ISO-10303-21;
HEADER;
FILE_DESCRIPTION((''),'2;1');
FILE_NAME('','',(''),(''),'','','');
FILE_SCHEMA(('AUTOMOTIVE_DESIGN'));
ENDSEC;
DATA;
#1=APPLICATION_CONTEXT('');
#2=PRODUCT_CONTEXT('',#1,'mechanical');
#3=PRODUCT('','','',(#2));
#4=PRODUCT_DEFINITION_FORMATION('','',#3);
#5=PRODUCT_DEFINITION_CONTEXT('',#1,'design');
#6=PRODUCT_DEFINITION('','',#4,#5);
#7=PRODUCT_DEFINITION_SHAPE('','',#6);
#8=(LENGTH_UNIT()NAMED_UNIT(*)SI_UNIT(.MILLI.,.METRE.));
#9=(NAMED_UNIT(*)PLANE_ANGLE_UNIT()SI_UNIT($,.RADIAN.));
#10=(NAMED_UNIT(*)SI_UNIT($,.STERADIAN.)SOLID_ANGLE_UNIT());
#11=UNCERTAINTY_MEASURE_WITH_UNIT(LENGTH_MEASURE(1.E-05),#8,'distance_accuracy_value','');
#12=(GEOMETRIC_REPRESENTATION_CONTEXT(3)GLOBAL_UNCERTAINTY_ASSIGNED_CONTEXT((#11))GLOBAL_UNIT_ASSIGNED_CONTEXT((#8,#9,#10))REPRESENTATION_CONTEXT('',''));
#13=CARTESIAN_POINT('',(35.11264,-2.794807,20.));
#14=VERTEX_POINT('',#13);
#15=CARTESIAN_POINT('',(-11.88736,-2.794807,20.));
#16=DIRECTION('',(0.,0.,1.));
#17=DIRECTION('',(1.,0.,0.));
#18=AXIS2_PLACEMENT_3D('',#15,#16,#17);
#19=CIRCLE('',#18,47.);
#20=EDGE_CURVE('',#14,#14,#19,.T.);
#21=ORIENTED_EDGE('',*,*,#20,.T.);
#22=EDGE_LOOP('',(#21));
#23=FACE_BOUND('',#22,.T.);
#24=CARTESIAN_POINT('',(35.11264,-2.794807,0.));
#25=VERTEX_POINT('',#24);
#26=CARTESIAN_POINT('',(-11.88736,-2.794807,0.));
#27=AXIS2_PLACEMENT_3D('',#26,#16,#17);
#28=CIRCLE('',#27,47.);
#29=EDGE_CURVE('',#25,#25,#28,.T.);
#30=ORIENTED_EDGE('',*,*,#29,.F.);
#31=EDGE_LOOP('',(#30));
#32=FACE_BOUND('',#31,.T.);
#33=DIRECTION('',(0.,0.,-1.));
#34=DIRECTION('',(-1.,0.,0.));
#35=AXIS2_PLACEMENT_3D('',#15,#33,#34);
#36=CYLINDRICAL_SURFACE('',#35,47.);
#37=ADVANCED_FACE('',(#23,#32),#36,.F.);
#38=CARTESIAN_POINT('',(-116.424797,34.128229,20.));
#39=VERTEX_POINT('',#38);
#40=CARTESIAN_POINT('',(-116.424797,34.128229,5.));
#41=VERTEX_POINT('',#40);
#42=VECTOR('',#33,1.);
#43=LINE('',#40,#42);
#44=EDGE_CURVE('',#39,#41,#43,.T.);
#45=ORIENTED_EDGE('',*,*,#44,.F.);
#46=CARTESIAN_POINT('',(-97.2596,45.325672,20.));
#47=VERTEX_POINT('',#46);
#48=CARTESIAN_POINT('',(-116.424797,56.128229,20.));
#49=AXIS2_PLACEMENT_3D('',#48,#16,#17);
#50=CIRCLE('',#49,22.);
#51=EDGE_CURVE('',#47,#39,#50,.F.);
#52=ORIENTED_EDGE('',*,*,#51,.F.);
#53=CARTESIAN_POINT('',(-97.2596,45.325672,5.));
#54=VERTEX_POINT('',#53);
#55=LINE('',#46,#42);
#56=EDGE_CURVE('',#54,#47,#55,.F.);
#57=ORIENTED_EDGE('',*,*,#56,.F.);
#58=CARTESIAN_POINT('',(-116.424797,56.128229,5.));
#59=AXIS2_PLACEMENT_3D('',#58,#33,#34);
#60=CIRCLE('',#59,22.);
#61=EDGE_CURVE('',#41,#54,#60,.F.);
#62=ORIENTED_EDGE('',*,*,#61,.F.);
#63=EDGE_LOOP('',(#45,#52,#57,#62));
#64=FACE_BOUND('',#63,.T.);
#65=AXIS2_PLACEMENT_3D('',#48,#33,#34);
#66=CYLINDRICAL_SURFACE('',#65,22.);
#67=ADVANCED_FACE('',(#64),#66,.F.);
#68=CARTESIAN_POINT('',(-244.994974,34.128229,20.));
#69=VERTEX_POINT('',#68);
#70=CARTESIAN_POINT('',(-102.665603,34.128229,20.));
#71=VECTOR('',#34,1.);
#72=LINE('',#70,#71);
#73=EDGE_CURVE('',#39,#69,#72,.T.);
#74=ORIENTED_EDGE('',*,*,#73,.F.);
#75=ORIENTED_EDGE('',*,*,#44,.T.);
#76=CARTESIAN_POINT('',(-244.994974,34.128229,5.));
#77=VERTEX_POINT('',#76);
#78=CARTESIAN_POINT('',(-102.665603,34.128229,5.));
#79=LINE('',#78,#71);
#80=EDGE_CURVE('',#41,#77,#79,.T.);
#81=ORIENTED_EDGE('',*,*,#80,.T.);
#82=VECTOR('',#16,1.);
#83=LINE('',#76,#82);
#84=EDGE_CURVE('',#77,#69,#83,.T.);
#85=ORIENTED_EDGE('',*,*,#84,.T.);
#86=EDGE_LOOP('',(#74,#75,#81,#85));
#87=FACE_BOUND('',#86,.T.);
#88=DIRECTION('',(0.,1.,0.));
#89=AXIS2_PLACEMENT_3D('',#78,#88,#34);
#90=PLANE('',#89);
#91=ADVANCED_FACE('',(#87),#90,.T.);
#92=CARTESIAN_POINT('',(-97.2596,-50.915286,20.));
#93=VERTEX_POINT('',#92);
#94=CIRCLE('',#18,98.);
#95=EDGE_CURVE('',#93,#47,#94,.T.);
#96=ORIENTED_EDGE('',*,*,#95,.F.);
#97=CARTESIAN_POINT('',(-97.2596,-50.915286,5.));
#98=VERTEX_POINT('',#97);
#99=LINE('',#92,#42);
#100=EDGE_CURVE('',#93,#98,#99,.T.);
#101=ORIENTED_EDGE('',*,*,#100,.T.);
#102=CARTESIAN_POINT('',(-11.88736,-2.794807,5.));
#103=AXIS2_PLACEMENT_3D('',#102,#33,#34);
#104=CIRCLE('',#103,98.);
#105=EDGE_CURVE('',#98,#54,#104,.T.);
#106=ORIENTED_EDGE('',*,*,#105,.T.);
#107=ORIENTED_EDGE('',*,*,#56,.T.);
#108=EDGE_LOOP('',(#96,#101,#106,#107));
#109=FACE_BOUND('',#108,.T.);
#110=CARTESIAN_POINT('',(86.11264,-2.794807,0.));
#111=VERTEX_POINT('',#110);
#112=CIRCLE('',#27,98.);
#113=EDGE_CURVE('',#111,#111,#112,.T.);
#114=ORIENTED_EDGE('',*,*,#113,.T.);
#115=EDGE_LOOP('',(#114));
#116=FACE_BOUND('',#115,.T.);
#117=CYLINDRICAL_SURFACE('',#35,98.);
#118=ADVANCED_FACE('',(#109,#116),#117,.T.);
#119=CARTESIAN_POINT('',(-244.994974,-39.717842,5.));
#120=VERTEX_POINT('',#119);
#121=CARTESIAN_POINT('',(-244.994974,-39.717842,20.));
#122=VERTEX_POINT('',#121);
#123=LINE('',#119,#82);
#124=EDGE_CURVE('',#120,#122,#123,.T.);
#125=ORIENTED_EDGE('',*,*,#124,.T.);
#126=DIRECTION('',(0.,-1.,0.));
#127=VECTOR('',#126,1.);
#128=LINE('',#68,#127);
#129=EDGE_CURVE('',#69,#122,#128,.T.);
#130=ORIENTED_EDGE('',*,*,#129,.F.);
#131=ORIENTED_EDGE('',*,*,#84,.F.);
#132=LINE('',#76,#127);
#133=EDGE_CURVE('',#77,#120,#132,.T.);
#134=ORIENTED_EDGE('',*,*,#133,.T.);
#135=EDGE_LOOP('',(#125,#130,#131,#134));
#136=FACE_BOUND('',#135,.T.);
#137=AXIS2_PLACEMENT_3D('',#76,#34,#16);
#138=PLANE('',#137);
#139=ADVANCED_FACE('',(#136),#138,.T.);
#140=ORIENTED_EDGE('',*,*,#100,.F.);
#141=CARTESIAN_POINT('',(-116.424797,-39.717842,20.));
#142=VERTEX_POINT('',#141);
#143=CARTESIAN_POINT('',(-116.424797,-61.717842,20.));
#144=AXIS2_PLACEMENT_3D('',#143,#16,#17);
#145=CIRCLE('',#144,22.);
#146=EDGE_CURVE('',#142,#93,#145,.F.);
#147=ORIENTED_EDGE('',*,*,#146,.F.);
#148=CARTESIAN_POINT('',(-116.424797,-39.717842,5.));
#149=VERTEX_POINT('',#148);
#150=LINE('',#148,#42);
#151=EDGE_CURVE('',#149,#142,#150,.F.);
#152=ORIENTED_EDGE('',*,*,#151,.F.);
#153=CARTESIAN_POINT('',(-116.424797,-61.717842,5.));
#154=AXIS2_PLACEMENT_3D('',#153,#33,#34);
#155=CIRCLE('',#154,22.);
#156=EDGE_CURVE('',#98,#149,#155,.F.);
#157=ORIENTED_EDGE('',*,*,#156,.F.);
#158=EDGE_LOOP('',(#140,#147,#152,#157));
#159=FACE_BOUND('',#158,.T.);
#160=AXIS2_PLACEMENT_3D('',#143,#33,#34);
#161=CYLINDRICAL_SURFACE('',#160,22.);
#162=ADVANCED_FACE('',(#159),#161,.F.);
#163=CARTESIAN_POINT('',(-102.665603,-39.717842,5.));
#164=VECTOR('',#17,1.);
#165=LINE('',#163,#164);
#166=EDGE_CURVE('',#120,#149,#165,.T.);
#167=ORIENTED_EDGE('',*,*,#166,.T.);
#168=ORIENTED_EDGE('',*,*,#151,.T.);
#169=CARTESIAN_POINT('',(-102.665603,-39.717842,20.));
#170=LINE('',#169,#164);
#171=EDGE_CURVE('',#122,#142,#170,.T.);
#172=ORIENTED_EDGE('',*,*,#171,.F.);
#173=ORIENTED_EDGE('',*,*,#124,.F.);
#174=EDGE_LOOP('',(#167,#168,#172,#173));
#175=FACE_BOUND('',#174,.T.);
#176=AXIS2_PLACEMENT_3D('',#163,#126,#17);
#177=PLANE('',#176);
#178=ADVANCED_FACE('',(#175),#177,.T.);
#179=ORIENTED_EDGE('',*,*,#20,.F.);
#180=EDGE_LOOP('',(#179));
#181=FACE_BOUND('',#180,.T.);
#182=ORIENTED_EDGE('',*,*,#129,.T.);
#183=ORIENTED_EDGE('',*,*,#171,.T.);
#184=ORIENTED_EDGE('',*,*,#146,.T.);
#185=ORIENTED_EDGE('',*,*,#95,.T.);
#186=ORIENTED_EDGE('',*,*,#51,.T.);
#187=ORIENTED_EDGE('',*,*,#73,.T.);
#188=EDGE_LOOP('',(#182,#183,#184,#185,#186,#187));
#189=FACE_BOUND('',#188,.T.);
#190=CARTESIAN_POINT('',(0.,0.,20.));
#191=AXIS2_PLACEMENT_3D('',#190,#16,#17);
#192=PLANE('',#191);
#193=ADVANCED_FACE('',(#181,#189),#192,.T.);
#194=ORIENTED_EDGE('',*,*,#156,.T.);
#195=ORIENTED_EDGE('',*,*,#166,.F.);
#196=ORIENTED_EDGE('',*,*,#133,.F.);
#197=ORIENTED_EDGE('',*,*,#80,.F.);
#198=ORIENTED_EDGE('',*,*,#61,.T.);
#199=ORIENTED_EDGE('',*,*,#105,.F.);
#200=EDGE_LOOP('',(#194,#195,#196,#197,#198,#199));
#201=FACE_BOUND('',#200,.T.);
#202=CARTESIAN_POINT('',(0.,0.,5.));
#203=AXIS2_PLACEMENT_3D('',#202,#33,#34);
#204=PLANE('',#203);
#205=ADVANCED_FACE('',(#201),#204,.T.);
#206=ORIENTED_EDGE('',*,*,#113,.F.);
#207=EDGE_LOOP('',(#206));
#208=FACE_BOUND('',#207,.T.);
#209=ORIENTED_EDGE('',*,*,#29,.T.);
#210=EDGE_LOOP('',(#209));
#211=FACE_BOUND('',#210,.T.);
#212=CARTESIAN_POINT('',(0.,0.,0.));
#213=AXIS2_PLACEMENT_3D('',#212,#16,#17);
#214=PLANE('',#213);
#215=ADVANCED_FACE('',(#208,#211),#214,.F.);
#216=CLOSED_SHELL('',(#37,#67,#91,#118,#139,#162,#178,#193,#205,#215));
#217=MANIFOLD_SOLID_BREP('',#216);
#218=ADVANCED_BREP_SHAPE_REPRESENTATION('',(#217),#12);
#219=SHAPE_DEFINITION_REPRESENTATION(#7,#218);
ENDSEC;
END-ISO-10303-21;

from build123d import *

# Parameters (mm, degrees)
SKETCH_1_R      = 98
SKETCH_1_R_2    = 47
EXTRUDE_1_DEPTH = 20
SKETCH_2_W      = 142.329371157
SKETCH_2_H      = 73.846071027
EXTRUDE_2_DEPTH = 15
FILLET_1_R      = 22


with BuildPart() as part:
    # 草图1 → 凸台-拉伸1 (new body)
    with BuildSketch(Plane.XY):
        with Locations((-11.887359686, -2.794806673)):
            Circle(SKETCH_1_R)
        with Locations((-11.887359686, -2.794806673)):
            Circle(SKETCH_1_R_2, mode=Mode.SUBTRACT)
    extrude(amount=EXTRUDE_1_DEPTH)

    # 草图2 → 凸台-拉伸2 (add)
    with BuildSketch(Plane.XY.offset(20)):
        with Locations((-173.83028852, -2.794806673)):
            Rectangle(SKETCH_2_W, SKETCH_2_H)
    extrude(amount=-EXTRUDE_2_DEPTH)

    # 圆角1
    fillet_1_edges = [part.edges().sort_by_distance(p)[0] for p in [
        (-102.665602941, 34.128228841, 12.5),
        (-102.665602941, -39.717842186, 12.5),
    ]]
    fillet(fillet_1_edges, radius=FILLET_1_R)


solid = part.part
